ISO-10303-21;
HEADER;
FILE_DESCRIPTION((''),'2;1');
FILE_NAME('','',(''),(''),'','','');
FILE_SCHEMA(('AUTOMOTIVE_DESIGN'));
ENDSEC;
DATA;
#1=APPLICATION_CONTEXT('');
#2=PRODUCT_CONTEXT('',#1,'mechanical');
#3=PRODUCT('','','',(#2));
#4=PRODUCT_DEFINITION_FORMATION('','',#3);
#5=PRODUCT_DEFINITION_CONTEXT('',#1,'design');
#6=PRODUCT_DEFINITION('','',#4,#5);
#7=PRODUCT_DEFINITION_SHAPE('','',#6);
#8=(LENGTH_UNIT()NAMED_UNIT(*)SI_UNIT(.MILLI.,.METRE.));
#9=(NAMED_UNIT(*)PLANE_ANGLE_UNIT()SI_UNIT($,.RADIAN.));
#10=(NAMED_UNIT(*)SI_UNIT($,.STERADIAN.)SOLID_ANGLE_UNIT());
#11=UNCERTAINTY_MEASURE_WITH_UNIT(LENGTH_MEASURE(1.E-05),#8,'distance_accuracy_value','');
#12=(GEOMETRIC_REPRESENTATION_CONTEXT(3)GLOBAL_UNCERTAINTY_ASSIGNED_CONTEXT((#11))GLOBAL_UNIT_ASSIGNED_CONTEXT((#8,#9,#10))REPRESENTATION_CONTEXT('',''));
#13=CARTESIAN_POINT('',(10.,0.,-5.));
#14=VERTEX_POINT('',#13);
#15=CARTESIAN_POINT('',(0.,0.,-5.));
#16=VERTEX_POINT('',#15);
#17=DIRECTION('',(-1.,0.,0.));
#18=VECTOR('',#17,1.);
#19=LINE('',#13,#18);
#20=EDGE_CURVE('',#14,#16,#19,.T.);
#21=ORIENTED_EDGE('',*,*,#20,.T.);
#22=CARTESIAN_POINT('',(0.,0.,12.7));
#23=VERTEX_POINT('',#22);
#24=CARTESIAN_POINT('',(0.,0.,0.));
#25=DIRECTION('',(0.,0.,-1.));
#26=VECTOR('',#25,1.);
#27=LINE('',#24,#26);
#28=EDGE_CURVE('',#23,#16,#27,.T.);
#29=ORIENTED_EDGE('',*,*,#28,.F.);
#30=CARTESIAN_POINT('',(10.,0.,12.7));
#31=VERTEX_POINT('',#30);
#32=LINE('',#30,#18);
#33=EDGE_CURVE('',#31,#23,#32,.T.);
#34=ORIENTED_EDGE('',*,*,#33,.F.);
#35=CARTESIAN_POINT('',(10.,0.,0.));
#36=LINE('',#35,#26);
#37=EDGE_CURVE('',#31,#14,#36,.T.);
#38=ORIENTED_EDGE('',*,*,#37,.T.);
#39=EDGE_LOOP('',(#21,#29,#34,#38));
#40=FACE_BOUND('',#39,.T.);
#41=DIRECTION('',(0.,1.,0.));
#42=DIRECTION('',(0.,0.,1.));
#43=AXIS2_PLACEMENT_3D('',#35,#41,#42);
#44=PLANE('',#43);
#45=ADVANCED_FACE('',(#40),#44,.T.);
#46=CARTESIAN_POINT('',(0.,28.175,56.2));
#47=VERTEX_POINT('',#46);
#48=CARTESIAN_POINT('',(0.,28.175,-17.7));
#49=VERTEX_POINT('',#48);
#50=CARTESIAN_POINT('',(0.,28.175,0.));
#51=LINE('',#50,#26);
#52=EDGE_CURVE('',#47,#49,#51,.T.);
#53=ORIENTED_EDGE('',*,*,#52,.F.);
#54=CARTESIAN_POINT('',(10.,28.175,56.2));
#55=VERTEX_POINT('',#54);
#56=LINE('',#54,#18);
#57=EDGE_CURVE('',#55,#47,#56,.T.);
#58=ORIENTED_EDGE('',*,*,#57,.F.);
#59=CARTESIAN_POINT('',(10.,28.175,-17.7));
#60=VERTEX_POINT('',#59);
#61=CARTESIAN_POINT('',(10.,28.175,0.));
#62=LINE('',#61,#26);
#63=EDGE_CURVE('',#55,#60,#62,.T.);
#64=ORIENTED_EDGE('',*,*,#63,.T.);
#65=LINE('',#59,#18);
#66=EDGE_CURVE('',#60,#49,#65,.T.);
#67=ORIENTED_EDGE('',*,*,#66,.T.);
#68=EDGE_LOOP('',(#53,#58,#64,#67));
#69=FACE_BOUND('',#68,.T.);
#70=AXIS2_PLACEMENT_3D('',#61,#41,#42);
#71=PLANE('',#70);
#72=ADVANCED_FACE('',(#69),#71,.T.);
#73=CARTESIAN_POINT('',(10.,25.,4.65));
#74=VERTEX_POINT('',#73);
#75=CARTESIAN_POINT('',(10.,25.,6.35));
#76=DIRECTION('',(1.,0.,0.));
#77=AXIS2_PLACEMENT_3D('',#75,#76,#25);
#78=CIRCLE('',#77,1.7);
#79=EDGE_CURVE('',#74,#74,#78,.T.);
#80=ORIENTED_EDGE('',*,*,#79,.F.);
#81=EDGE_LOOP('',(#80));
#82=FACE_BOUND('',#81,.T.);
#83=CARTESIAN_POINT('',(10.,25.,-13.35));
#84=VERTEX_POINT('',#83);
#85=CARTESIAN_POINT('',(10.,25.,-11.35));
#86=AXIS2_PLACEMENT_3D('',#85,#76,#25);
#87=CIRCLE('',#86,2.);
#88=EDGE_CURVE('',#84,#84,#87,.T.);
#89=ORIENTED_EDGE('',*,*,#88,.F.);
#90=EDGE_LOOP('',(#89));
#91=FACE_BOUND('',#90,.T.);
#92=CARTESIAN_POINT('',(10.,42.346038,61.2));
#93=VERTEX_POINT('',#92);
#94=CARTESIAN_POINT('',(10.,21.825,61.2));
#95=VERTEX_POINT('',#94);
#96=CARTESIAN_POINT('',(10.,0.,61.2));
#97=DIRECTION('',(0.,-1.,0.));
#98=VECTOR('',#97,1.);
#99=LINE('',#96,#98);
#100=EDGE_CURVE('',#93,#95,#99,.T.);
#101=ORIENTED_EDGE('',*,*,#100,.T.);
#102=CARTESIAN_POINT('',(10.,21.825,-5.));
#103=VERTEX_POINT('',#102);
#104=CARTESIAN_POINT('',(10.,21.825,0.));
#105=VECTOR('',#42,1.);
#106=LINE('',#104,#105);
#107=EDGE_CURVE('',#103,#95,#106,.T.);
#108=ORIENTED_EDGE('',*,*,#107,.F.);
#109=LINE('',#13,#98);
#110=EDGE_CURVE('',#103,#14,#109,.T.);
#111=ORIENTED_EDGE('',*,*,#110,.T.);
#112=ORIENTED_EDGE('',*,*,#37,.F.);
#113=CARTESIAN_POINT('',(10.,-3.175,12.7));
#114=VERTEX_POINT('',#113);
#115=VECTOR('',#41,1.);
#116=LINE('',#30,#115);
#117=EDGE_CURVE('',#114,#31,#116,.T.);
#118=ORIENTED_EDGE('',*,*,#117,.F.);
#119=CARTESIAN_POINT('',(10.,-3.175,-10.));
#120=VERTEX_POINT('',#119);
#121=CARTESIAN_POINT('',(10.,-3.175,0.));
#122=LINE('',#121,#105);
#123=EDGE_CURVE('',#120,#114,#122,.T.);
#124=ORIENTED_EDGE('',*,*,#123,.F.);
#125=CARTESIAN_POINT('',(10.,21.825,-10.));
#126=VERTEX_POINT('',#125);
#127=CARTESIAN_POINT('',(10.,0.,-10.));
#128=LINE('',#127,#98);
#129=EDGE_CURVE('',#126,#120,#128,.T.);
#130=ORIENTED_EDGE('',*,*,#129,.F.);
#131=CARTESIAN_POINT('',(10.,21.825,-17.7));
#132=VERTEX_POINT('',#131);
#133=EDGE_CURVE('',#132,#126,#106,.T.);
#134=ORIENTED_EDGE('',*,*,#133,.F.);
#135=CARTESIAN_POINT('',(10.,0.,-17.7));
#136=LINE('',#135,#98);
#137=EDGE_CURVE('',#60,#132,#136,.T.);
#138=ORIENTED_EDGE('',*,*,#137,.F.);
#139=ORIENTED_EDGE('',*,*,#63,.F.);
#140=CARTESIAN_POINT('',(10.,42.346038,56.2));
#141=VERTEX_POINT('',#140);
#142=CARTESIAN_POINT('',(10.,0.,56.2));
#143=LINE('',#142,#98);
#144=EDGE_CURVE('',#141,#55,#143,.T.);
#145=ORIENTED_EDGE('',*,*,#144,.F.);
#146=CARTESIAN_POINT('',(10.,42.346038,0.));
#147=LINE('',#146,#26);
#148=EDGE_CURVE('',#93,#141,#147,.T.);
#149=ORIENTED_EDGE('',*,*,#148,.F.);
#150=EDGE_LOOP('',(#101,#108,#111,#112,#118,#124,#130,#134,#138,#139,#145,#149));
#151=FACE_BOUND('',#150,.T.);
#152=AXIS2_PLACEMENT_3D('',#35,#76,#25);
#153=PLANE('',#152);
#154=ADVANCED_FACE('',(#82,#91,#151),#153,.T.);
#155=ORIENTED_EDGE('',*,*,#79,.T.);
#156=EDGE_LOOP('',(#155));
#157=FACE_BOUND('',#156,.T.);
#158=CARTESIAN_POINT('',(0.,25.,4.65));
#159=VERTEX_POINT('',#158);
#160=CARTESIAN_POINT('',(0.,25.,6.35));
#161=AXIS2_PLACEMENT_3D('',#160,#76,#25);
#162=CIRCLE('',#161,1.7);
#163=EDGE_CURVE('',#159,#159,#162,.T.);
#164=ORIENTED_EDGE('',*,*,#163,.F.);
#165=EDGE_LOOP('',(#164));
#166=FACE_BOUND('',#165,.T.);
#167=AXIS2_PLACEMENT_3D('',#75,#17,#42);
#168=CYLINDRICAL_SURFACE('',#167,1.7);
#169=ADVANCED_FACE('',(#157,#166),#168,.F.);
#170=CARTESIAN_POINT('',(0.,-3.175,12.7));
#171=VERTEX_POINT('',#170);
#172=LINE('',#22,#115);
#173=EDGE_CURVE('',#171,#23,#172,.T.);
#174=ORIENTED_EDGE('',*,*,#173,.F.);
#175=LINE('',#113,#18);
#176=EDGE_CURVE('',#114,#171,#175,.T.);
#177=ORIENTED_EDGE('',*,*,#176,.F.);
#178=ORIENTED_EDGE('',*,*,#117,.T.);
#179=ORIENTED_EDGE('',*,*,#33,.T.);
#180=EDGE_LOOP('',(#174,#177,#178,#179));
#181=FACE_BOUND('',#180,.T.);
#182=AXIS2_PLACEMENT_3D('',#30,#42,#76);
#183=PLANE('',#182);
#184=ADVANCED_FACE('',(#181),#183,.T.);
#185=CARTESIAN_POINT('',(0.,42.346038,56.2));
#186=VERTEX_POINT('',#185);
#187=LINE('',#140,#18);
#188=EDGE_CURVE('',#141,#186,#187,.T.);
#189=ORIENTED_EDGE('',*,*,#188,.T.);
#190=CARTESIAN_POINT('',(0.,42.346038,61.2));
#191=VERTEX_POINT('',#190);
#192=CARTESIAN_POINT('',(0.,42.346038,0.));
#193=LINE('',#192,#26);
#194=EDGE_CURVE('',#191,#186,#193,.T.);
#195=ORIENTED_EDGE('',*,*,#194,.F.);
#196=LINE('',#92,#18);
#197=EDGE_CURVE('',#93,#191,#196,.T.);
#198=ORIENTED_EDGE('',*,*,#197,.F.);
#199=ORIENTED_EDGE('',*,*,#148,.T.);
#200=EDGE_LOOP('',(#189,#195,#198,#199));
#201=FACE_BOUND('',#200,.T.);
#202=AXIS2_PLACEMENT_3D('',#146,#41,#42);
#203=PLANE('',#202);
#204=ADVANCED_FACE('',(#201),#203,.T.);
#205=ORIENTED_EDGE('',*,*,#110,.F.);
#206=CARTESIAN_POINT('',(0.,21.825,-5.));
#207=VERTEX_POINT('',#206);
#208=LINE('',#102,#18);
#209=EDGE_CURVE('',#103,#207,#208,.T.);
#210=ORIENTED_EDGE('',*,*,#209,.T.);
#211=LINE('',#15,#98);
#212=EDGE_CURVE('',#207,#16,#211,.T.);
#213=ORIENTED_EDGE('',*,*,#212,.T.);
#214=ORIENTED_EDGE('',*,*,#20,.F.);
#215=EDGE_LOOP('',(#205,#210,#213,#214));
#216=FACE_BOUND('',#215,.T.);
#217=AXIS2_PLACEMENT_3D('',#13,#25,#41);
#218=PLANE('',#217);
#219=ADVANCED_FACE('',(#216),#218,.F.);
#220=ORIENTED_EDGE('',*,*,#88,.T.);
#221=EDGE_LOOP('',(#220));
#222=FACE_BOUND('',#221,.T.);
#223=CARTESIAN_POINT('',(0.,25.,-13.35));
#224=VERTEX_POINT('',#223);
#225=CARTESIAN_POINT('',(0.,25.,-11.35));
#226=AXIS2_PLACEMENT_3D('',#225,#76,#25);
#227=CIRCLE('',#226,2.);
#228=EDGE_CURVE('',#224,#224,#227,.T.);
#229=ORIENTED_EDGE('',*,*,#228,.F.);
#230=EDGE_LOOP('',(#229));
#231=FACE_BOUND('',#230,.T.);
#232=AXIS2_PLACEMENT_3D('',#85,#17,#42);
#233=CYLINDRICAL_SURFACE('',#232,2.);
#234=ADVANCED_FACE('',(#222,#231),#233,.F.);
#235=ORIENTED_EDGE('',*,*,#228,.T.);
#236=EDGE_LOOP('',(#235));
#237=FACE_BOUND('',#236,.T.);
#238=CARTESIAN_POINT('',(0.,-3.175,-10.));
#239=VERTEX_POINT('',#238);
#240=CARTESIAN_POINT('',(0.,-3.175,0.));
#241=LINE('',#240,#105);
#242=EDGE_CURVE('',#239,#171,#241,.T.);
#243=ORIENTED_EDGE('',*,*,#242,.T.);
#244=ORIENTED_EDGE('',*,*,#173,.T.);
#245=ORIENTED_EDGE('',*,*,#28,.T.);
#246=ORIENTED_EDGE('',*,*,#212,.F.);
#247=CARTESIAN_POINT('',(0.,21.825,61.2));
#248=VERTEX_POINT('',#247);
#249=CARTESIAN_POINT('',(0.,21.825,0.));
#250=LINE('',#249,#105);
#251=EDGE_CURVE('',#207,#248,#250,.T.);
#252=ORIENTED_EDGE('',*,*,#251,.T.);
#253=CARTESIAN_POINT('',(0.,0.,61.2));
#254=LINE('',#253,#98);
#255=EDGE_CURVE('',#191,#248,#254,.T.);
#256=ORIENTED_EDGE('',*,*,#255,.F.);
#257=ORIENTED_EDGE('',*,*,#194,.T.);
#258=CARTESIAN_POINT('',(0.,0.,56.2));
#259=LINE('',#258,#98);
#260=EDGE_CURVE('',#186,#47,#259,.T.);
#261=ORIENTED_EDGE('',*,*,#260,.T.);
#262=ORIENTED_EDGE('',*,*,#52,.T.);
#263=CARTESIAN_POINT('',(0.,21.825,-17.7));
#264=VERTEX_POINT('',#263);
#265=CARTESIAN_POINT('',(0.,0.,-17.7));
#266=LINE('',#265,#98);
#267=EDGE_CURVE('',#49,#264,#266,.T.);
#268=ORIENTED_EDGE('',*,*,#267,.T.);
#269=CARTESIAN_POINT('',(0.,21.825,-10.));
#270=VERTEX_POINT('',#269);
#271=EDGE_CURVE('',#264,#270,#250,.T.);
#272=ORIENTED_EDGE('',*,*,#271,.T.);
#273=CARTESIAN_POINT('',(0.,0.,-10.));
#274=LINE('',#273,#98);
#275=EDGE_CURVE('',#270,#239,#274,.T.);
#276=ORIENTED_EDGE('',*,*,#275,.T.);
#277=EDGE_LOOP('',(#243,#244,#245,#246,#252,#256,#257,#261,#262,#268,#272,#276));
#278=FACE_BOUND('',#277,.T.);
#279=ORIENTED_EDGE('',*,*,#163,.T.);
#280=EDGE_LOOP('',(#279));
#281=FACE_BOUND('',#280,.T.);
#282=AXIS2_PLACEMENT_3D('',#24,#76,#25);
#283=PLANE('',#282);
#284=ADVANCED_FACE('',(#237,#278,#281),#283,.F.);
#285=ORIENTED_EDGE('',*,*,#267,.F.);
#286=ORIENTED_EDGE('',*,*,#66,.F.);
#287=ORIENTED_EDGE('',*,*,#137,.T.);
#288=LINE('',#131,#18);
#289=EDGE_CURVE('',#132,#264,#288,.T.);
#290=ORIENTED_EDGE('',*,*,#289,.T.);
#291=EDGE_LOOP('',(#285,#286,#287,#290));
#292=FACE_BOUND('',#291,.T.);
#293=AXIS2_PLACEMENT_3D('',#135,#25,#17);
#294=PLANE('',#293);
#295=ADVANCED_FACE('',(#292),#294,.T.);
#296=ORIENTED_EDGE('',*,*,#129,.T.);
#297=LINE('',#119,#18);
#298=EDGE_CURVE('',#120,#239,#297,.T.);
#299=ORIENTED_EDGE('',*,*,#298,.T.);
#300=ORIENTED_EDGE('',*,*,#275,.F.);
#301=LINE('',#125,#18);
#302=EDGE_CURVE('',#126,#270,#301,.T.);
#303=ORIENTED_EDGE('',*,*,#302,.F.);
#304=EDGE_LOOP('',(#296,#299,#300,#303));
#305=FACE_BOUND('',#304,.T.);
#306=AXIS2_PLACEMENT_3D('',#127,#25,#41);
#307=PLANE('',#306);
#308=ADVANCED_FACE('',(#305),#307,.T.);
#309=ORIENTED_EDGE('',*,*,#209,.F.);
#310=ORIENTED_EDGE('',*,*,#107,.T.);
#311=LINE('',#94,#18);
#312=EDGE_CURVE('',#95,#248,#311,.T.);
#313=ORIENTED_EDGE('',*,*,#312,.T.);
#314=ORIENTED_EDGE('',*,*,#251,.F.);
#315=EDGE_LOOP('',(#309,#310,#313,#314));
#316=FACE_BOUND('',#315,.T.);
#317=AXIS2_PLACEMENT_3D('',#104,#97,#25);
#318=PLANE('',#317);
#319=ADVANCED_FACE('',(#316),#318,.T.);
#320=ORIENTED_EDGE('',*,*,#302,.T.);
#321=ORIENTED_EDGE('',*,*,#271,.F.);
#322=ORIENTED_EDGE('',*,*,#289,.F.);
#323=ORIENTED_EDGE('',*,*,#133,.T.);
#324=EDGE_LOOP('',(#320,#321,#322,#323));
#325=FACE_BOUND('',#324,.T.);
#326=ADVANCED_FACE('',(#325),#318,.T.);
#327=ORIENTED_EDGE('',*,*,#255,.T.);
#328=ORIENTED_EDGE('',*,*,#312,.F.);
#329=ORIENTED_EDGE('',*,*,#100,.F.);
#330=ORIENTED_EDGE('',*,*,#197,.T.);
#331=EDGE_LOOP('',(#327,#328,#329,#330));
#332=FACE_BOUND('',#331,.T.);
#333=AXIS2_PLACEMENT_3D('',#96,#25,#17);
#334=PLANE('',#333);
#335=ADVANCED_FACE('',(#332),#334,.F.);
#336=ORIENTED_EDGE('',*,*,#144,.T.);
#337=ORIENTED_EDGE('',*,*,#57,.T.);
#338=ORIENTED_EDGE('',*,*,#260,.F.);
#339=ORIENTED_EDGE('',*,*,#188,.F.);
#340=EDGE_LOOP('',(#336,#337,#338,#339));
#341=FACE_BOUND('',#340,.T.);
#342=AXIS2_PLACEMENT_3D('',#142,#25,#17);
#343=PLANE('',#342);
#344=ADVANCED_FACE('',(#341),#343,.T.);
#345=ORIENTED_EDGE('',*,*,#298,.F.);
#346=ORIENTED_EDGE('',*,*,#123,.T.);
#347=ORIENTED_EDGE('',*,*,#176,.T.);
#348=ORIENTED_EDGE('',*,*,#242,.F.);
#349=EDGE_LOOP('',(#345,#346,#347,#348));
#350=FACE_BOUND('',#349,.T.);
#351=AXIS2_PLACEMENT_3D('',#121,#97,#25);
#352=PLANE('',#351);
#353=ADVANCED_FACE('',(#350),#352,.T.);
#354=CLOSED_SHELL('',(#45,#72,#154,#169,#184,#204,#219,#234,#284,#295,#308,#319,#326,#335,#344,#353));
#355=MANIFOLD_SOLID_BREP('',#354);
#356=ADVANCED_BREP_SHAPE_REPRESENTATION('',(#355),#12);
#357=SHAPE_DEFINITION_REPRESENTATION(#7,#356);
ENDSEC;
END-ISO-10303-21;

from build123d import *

# Parameters (mm, degrees)
SKETCH1_W           = 5
SKETCH1_H           = 14.17103806
BOSS_EXTRUDE1_DEPTH = 10


with BuildPart() as part:
    # Sketch1 → Boss-Extrude1 (new body)
    with BuildSketch(Plane(origin=(0, 0, 0), x_dir=(0, 0, -1), z_dir=(1, 0, 0))):
        with BuildLine():
            Line((-61.2, 21.825), (-6.35, 21.825))
            Line((-6.35, 21.825), (-6.35, 23.3))
            ThreePointArc((-6.35, 23.3), (-8.05, 25), (-6.35, 26.7))
            Line((-6.35, 26.7), (-6.35, 28.175))
            Line((-6.35, 28.175), (-56.2, 28.175))
            Line((-56.2, 28.175), (-61.2, 28.175))
            Line((-61.2, 28.175), (-61.2, 21.825))
        make_face()
        with BuildLine():
            Line((-6.35, 21.825), (0, 21.825))
            Line((0, 21.825), (5, 21.825))
            Line((5, 21.825), (10, 21.825))
            Line((10, 21.825), (17.7, 21.825))
            Line((17.7, 21.825), (17.7, 25))
            Line((17.7, 25), (13.35, 25))
            ThreePointArc((13.35, 25), (11.35, 23), (9.35, 25))
            Line((9.35, 25), (-4.65, 25))
            ThreePointArc((-4.65, 25), (-5.147918472, 23.797918472), (-6.35, 23.3))
            Line((-6.35, 23.3), (-6.35, 21.825))
        make_face()
        with BuildLine():
            Line((-6.35, 28.175), (-6.35, 26.7))
            ThreePointArc((-6.35, 26.7), (-5.147918472, 26.202081528), (-4.65, 25))
            Line((-4.65, 25), (9.35, 25))
            ThreePointArc((9.35, 25), (11.35, 27), (13.35, 25))
            Line((13.35, 25), (17.7, 25))
            Line((17.7, 25), (17.7, 28.175))
            Line((17.7, 28.175), (-6.35, 28.175))
        make_face()
        Polygon((5, 21.825), (5, 0), (5, -3.175), (10, -3.175), (10, 21.825), align=None)
        Polygon((5, 0), (0, 0), (-12.7, 0), (-12.7, -3.175), (5, -3.175), align=None)
        with Locations((-58.7, 35.26051903)):
            Rectangle(SKETCH1_W, SKETCH1_H)
    extrude(amount=BOSS_EXTRUDE1_DEPTH)


solid = part.part
